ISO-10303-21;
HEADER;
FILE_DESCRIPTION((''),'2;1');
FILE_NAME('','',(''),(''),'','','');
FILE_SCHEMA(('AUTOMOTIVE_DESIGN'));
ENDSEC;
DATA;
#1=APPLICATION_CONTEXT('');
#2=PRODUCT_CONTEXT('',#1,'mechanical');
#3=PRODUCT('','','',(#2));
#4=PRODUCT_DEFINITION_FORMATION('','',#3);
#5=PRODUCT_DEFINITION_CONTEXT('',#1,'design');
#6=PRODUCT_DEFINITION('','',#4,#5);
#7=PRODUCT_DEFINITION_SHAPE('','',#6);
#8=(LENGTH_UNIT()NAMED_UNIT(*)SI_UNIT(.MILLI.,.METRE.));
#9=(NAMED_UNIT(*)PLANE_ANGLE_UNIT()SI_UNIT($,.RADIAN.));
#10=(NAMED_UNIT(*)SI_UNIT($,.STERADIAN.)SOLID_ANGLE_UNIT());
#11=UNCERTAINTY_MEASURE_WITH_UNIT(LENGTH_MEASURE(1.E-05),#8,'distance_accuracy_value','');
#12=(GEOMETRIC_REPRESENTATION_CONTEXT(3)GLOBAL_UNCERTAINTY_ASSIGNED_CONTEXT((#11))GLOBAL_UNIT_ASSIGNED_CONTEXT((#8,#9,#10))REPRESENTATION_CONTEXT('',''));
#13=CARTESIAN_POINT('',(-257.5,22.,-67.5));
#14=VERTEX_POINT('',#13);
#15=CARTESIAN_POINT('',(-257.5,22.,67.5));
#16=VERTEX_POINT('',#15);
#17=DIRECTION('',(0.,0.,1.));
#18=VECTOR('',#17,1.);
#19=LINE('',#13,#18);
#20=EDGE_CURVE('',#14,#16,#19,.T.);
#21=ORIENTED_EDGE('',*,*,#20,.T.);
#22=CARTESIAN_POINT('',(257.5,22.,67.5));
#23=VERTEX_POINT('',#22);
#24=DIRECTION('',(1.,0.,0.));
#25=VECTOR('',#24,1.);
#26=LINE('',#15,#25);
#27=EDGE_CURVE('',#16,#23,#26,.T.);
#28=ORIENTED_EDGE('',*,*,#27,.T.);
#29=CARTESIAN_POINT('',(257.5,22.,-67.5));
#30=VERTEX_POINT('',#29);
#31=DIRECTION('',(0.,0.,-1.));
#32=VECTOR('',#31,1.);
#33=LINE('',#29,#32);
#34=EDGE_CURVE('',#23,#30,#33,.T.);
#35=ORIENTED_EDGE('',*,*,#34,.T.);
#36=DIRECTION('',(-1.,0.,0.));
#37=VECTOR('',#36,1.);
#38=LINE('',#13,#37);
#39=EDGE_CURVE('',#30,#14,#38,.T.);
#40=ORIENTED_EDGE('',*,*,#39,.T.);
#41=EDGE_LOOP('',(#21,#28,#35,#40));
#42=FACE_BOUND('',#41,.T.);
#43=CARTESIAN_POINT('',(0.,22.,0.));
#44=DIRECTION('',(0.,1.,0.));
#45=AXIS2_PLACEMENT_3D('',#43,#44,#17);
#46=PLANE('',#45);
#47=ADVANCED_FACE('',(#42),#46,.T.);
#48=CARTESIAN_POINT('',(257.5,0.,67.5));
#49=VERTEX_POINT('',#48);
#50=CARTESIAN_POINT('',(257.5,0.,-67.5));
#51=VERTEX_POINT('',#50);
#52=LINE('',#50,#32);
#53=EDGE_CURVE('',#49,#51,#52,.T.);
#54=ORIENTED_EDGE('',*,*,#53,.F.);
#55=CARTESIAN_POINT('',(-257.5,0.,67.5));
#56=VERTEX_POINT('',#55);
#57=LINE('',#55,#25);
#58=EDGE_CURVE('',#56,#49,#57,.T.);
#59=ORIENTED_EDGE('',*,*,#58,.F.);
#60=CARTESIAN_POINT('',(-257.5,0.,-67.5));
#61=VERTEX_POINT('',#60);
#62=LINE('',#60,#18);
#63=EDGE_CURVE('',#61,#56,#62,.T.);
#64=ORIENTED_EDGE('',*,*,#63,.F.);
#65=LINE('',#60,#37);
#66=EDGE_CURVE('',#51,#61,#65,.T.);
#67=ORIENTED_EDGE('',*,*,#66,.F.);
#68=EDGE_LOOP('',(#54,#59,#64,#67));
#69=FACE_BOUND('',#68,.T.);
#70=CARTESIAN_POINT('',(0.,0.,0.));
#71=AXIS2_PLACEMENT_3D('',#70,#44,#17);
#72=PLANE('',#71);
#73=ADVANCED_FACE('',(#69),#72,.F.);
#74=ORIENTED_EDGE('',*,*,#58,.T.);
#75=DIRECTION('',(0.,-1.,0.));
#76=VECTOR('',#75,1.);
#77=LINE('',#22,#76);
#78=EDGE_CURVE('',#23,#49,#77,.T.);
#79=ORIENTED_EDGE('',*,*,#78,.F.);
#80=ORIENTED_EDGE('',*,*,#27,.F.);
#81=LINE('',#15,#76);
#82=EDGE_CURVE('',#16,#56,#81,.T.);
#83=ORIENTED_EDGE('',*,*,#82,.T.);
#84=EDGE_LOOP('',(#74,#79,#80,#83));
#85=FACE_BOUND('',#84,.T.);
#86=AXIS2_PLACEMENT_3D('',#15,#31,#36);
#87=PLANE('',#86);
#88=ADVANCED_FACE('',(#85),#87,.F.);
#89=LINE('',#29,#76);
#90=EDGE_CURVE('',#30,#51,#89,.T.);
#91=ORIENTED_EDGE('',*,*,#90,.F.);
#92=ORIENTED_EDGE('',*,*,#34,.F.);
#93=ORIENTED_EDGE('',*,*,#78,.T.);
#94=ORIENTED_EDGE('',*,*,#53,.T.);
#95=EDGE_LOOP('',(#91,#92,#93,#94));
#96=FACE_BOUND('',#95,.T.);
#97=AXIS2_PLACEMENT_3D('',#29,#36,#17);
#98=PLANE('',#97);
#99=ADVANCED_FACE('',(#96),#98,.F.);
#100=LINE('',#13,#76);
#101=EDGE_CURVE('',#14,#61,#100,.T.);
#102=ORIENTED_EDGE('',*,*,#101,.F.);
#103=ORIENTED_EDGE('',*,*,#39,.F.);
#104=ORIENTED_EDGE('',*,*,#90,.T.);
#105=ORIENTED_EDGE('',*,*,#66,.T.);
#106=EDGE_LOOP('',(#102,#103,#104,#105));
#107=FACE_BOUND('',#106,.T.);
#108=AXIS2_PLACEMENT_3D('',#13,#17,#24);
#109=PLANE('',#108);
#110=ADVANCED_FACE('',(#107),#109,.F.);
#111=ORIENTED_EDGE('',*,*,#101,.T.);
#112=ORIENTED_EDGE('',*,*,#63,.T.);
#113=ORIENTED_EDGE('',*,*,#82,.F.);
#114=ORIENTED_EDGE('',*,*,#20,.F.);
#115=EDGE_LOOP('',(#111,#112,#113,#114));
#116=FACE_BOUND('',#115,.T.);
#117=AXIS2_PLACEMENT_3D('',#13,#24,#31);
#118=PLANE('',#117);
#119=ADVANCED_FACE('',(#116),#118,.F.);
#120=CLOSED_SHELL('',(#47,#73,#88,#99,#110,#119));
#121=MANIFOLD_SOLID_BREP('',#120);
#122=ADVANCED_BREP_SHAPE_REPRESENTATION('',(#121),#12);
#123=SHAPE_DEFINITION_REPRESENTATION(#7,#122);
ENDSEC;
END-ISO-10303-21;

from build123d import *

# Parameters (mm, degrees)
SKETCH_1_W      = 515
SKETCH_1_H      = 135
EXTRUDE_1_DEPTH = 22


with BuildPart() as part:
    # Эскиз1 → Бобышка-Вытянуть1 (new body)
    with BuildSketch(Plane(origin=(0, 0, 0), x_dir=(1, 0, 0), z_dir=(0, 1, 0))):
        Rectangle(SKETCH_1_W, SKETCH_1_H)
    extrude(amount=EXTRUDE_1_DEPTH)


solid = part.part
